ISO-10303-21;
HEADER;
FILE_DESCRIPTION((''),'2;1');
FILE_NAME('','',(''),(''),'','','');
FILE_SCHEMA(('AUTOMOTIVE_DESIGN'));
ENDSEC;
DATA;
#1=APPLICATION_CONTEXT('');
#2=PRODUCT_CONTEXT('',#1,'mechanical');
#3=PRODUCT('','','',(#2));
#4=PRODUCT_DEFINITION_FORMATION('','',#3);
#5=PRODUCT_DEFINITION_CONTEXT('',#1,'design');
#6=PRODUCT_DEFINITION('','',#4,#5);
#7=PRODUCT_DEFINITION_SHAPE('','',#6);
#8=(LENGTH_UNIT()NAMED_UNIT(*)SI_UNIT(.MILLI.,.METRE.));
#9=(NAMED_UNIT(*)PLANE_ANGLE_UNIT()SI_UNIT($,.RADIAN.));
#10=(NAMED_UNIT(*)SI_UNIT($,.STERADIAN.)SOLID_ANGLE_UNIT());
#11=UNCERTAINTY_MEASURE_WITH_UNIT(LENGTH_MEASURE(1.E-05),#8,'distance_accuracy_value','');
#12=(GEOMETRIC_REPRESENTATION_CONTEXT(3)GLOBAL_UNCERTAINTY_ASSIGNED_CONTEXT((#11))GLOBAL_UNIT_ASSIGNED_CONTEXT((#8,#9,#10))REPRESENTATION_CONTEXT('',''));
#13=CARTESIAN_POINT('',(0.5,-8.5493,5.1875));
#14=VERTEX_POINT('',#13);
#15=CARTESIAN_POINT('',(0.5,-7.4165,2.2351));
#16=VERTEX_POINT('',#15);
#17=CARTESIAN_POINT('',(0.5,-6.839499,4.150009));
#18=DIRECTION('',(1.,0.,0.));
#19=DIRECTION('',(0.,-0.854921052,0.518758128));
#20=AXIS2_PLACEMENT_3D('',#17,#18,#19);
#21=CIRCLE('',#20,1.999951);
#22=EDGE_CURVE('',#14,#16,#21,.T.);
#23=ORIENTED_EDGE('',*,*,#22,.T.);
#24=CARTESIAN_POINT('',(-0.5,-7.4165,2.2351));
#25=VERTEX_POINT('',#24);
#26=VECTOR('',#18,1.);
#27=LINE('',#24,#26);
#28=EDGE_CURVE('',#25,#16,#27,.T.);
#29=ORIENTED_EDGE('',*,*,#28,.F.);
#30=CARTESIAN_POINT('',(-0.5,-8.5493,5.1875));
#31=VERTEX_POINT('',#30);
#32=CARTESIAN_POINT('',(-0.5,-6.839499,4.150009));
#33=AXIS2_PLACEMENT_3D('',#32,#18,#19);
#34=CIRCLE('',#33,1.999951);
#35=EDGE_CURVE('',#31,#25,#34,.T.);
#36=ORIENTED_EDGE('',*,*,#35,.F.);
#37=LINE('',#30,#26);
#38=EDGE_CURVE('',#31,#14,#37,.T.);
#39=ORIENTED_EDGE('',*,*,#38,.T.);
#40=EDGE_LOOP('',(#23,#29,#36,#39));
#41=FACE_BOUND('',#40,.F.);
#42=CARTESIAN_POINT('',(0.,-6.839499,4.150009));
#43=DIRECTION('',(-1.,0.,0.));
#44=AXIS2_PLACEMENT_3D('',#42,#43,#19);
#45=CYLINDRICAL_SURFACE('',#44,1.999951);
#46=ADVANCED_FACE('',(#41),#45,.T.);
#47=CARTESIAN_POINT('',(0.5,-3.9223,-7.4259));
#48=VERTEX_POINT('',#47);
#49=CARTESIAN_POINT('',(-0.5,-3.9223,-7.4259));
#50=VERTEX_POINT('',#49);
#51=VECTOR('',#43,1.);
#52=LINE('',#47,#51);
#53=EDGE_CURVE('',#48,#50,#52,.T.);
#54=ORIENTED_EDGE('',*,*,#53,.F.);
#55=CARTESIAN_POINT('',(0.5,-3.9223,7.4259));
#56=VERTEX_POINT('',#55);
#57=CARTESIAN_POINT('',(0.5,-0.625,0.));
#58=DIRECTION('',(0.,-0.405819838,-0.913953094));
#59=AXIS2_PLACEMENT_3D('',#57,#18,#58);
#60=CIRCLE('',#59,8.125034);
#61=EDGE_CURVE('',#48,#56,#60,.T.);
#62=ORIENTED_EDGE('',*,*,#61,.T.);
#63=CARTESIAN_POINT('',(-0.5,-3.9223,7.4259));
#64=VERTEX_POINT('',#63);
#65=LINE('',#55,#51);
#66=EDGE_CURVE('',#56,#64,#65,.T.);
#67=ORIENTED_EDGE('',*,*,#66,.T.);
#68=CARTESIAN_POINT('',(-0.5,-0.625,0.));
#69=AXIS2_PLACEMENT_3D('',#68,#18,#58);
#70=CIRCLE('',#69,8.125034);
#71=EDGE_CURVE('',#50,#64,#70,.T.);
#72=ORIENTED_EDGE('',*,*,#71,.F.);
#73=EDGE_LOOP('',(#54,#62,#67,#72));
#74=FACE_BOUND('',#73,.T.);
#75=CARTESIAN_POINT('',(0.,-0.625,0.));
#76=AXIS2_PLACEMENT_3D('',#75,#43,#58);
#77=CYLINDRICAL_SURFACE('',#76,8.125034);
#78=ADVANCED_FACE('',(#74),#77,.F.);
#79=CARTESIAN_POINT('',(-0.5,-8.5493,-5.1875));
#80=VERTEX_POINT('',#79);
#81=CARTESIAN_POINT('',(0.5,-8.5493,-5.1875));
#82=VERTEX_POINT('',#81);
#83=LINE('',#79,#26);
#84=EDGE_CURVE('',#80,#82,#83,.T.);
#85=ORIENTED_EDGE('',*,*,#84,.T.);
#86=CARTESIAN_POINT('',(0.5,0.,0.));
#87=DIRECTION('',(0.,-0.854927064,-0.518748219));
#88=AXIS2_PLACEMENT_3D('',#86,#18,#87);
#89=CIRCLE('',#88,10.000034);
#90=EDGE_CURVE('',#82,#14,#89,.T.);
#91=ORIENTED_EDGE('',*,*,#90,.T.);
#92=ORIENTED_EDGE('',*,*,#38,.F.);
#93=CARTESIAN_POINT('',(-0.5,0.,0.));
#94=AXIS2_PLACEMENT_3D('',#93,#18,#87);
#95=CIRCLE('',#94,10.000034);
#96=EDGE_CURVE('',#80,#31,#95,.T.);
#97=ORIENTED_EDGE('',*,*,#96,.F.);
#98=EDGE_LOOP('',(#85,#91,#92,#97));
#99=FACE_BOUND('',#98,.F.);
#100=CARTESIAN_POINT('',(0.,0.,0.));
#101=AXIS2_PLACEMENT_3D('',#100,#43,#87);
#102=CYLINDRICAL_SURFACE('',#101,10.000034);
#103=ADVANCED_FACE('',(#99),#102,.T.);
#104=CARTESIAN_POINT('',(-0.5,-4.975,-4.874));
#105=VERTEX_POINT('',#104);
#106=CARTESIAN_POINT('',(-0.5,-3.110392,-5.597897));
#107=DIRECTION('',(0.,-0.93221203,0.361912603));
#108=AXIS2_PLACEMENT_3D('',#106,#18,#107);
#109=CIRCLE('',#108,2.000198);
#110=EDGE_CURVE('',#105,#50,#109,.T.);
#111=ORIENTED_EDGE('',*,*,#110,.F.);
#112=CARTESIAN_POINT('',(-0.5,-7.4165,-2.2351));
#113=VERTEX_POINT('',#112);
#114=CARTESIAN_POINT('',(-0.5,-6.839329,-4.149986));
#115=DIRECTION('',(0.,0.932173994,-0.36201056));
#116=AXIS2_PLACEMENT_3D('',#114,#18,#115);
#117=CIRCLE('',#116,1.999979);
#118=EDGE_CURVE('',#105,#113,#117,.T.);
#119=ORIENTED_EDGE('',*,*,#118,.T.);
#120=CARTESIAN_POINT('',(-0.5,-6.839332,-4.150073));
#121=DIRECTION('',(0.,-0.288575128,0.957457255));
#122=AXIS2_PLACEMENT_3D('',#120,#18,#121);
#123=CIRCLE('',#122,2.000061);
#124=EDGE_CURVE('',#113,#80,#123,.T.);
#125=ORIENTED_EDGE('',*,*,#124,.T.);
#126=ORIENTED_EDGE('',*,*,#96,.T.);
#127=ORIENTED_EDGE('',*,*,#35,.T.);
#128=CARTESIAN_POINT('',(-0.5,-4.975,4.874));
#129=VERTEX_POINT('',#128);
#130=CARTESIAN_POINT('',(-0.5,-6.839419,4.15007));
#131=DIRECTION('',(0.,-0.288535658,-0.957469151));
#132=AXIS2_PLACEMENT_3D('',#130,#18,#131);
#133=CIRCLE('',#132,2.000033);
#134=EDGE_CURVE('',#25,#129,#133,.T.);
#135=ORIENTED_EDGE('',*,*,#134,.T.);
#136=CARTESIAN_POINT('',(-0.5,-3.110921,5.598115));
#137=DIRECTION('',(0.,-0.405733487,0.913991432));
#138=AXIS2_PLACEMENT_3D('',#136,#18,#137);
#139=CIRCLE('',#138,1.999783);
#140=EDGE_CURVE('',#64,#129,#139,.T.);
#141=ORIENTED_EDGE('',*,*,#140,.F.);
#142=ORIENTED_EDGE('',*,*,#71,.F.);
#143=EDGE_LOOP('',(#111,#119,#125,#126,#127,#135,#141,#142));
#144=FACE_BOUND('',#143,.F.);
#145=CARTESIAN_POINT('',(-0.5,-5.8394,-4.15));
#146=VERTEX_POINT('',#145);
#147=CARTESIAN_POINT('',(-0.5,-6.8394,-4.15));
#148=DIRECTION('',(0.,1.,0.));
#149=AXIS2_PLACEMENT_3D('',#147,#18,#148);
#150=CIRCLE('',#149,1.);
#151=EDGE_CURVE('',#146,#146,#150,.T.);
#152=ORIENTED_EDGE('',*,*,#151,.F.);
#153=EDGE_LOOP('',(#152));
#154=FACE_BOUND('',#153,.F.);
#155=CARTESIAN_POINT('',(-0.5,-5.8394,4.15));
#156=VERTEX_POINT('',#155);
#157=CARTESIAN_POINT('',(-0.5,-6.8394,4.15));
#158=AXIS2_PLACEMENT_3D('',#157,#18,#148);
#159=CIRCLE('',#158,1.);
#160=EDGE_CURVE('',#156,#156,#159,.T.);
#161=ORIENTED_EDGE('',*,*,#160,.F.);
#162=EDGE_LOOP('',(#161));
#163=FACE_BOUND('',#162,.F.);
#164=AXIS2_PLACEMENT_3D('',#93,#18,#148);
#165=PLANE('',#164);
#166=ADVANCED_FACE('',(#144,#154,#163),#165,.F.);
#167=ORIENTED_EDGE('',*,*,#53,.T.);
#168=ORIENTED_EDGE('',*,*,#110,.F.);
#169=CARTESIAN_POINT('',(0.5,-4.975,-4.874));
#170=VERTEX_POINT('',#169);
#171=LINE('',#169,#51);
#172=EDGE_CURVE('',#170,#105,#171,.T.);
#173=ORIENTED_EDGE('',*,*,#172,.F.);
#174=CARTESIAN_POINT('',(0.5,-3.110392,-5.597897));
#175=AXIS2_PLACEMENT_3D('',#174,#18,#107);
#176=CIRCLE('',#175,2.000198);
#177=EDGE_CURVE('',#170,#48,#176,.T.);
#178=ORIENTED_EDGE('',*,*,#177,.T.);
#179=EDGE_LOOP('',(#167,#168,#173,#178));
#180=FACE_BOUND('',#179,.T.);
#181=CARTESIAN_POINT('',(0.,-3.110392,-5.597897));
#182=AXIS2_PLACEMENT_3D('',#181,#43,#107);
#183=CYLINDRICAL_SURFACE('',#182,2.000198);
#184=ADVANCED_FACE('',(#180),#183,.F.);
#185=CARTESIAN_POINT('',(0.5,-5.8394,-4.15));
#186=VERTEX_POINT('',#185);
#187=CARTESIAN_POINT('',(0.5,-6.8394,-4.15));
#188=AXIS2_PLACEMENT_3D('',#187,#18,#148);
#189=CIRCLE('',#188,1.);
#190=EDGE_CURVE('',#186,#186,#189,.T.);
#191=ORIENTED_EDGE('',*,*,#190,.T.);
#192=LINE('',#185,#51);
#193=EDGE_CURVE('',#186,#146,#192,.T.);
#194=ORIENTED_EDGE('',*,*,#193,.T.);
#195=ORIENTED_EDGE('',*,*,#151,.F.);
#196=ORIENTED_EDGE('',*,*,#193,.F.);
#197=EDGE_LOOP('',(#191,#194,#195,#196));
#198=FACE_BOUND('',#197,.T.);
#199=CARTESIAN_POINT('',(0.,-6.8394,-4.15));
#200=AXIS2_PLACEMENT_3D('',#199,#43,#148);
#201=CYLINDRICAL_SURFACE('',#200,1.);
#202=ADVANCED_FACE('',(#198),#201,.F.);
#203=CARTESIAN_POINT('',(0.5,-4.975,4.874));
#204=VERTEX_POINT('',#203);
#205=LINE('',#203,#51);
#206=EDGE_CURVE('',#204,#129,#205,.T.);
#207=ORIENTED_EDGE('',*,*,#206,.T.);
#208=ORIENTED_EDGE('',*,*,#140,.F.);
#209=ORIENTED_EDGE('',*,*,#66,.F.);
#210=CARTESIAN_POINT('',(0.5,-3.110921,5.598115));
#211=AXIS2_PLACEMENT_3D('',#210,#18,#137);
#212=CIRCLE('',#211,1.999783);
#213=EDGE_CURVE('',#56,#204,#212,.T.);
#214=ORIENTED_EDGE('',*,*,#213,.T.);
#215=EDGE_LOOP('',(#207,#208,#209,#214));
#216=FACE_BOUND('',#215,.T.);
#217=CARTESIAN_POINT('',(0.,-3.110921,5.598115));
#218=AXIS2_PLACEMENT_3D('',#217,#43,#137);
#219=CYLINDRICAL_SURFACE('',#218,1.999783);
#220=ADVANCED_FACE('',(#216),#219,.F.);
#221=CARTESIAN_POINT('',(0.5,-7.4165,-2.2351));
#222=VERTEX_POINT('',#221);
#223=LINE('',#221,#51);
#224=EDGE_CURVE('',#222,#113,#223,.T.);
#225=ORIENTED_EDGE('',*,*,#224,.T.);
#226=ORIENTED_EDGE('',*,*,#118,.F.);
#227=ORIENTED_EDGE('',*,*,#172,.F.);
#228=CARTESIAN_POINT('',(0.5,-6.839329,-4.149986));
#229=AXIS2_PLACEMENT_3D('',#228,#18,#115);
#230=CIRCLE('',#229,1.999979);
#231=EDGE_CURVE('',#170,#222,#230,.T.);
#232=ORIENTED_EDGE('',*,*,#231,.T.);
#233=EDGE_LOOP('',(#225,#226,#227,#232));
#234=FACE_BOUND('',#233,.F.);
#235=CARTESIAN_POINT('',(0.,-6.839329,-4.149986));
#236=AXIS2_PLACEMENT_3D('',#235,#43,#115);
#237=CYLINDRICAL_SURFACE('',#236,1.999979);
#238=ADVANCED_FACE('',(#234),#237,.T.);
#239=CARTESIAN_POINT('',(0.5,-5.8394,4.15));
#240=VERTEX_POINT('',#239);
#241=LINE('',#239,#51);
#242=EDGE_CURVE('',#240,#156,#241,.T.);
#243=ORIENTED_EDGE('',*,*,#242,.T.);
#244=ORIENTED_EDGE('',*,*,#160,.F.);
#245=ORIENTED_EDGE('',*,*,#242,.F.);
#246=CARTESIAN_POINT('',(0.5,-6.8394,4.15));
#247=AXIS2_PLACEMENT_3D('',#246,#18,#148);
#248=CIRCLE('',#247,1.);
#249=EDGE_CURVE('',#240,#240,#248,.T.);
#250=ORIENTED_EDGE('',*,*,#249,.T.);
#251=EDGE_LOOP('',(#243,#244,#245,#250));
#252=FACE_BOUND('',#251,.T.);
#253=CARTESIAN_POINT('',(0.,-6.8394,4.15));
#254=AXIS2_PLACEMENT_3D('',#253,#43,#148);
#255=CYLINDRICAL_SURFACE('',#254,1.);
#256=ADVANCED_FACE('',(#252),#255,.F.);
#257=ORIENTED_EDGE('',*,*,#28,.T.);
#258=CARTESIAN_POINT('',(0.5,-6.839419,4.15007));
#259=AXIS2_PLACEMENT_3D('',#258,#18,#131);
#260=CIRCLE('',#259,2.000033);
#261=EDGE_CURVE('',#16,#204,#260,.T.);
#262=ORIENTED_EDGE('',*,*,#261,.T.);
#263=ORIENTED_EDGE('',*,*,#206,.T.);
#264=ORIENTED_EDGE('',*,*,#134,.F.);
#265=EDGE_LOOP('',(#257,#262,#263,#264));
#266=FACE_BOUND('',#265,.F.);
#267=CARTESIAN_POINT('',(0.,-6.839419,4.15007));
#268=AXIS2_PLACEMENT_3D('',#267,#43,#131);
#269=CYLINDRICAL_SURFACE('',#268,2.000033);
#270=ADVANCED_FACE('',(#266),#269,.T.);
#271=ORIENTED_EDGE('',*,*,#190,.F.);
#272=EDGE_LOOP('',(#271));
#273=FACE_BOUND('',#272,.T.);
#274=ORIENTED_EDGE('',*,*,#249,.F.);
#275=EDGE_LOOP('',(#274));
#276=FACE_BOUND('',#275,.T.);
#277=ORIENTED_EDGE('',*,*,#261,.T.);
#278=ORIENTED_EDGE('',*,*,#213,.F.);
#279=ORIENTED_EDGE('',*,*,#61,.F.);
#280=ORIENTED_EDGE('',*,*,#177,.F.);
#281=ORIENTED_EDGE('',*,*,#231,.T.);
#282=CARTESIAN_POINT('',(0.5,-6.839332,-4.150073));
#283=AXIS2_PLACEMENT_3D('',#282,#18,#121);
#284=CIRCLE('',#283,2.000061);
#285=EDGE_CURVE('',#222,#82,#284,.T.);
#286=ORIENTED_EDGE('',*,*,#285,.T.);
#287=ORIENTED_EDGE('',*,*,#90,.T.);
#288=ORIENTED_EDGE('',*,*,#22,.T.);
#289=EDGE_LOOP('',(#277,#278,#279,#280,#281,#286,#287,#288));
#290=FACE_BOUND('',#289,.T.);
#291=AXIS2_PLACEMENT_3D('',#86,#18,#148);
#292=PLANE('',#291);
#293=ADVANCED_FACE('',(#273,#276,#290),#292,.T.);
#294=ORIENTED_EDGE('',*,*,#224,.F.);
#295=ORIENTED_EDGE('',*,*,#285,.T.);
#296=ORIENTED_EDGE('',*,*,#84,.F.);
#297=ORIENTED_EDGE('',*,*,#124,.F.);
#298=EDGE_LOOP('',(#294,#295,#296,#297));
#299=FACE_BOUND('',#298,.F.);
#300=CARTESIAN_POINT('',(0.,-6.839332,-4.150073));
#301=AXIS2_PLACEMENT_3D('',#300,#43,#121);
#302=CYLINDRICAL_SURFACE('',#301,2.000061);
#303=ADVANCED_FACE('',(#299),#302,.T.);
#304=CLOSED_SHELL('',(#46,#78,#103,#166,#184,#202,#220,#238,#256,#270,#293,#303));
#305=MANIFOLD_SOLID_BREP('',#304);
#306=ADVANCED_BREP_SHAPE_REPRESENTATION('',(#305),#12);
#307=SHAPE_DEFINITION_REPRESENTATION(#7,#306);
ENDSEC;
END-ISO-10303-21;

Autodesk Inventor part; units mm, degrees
sketch "Sketch_3" plane through (0, 0, 0) normal (1, 0, 0) x (0, 1, 0)
  arc A0 (-8.5493, -5.1875) -> (-8.5493, 5.1875) centre (0, 0) ccw
  arc A1 (-8.5493, 5.1875) -> (-7.4165, 2.2351) centre (-6.8394, 4.15) ccw
  arc A2 (-7.4165, 2.2351) -> (-4.975, 4.874) centre (-6.8394, 4.15) ccw
  arc A3 (-3.9223, 7.4259) -> (-4.975, 4.874) centre (-3.1107, 5.5979) ccw
  arc A4 (-3.9223, -7.4259) -> (-3.9223, 7.4259) centre (-0.625, 0) ccw
  arc A5 (-4.975, -4.874) -> (-3.9223, -7.4259) centre (-3.1107, -5.5979) ccw
  arc A6 (-4.975, -4.874) -> (-7.4165, -2.2351) centre (-6.8394, -4.15) ccw
  arc A7 (-7.4165, -2.2351) -> (-8.5493, -5.1875) centre (-6.8394, -4.15) ccw
  circle A8 centre (-6.8394, -4.15) radius 1
  circle A9 centre (-6.8394, 4.15) radius 1
extrude "Extrusion1" add sketch "Sketch_3" along normal mid plane 1
ref_plane "rr_XY" through (-0.5, 0, 0) normal (1, 0, 0) x (0, 0, -1)
ref_plane "rr_YZ" through (-0.5, 0, 0) normal (0, 0, -1) x (0, 1, 0)
ref_plane "rr_ZX" through (-0.5, 0, 0) normal (0, 1, 0) x (1, 0, 0)
properties part number "LH-RRING-C-INT-S-19"
